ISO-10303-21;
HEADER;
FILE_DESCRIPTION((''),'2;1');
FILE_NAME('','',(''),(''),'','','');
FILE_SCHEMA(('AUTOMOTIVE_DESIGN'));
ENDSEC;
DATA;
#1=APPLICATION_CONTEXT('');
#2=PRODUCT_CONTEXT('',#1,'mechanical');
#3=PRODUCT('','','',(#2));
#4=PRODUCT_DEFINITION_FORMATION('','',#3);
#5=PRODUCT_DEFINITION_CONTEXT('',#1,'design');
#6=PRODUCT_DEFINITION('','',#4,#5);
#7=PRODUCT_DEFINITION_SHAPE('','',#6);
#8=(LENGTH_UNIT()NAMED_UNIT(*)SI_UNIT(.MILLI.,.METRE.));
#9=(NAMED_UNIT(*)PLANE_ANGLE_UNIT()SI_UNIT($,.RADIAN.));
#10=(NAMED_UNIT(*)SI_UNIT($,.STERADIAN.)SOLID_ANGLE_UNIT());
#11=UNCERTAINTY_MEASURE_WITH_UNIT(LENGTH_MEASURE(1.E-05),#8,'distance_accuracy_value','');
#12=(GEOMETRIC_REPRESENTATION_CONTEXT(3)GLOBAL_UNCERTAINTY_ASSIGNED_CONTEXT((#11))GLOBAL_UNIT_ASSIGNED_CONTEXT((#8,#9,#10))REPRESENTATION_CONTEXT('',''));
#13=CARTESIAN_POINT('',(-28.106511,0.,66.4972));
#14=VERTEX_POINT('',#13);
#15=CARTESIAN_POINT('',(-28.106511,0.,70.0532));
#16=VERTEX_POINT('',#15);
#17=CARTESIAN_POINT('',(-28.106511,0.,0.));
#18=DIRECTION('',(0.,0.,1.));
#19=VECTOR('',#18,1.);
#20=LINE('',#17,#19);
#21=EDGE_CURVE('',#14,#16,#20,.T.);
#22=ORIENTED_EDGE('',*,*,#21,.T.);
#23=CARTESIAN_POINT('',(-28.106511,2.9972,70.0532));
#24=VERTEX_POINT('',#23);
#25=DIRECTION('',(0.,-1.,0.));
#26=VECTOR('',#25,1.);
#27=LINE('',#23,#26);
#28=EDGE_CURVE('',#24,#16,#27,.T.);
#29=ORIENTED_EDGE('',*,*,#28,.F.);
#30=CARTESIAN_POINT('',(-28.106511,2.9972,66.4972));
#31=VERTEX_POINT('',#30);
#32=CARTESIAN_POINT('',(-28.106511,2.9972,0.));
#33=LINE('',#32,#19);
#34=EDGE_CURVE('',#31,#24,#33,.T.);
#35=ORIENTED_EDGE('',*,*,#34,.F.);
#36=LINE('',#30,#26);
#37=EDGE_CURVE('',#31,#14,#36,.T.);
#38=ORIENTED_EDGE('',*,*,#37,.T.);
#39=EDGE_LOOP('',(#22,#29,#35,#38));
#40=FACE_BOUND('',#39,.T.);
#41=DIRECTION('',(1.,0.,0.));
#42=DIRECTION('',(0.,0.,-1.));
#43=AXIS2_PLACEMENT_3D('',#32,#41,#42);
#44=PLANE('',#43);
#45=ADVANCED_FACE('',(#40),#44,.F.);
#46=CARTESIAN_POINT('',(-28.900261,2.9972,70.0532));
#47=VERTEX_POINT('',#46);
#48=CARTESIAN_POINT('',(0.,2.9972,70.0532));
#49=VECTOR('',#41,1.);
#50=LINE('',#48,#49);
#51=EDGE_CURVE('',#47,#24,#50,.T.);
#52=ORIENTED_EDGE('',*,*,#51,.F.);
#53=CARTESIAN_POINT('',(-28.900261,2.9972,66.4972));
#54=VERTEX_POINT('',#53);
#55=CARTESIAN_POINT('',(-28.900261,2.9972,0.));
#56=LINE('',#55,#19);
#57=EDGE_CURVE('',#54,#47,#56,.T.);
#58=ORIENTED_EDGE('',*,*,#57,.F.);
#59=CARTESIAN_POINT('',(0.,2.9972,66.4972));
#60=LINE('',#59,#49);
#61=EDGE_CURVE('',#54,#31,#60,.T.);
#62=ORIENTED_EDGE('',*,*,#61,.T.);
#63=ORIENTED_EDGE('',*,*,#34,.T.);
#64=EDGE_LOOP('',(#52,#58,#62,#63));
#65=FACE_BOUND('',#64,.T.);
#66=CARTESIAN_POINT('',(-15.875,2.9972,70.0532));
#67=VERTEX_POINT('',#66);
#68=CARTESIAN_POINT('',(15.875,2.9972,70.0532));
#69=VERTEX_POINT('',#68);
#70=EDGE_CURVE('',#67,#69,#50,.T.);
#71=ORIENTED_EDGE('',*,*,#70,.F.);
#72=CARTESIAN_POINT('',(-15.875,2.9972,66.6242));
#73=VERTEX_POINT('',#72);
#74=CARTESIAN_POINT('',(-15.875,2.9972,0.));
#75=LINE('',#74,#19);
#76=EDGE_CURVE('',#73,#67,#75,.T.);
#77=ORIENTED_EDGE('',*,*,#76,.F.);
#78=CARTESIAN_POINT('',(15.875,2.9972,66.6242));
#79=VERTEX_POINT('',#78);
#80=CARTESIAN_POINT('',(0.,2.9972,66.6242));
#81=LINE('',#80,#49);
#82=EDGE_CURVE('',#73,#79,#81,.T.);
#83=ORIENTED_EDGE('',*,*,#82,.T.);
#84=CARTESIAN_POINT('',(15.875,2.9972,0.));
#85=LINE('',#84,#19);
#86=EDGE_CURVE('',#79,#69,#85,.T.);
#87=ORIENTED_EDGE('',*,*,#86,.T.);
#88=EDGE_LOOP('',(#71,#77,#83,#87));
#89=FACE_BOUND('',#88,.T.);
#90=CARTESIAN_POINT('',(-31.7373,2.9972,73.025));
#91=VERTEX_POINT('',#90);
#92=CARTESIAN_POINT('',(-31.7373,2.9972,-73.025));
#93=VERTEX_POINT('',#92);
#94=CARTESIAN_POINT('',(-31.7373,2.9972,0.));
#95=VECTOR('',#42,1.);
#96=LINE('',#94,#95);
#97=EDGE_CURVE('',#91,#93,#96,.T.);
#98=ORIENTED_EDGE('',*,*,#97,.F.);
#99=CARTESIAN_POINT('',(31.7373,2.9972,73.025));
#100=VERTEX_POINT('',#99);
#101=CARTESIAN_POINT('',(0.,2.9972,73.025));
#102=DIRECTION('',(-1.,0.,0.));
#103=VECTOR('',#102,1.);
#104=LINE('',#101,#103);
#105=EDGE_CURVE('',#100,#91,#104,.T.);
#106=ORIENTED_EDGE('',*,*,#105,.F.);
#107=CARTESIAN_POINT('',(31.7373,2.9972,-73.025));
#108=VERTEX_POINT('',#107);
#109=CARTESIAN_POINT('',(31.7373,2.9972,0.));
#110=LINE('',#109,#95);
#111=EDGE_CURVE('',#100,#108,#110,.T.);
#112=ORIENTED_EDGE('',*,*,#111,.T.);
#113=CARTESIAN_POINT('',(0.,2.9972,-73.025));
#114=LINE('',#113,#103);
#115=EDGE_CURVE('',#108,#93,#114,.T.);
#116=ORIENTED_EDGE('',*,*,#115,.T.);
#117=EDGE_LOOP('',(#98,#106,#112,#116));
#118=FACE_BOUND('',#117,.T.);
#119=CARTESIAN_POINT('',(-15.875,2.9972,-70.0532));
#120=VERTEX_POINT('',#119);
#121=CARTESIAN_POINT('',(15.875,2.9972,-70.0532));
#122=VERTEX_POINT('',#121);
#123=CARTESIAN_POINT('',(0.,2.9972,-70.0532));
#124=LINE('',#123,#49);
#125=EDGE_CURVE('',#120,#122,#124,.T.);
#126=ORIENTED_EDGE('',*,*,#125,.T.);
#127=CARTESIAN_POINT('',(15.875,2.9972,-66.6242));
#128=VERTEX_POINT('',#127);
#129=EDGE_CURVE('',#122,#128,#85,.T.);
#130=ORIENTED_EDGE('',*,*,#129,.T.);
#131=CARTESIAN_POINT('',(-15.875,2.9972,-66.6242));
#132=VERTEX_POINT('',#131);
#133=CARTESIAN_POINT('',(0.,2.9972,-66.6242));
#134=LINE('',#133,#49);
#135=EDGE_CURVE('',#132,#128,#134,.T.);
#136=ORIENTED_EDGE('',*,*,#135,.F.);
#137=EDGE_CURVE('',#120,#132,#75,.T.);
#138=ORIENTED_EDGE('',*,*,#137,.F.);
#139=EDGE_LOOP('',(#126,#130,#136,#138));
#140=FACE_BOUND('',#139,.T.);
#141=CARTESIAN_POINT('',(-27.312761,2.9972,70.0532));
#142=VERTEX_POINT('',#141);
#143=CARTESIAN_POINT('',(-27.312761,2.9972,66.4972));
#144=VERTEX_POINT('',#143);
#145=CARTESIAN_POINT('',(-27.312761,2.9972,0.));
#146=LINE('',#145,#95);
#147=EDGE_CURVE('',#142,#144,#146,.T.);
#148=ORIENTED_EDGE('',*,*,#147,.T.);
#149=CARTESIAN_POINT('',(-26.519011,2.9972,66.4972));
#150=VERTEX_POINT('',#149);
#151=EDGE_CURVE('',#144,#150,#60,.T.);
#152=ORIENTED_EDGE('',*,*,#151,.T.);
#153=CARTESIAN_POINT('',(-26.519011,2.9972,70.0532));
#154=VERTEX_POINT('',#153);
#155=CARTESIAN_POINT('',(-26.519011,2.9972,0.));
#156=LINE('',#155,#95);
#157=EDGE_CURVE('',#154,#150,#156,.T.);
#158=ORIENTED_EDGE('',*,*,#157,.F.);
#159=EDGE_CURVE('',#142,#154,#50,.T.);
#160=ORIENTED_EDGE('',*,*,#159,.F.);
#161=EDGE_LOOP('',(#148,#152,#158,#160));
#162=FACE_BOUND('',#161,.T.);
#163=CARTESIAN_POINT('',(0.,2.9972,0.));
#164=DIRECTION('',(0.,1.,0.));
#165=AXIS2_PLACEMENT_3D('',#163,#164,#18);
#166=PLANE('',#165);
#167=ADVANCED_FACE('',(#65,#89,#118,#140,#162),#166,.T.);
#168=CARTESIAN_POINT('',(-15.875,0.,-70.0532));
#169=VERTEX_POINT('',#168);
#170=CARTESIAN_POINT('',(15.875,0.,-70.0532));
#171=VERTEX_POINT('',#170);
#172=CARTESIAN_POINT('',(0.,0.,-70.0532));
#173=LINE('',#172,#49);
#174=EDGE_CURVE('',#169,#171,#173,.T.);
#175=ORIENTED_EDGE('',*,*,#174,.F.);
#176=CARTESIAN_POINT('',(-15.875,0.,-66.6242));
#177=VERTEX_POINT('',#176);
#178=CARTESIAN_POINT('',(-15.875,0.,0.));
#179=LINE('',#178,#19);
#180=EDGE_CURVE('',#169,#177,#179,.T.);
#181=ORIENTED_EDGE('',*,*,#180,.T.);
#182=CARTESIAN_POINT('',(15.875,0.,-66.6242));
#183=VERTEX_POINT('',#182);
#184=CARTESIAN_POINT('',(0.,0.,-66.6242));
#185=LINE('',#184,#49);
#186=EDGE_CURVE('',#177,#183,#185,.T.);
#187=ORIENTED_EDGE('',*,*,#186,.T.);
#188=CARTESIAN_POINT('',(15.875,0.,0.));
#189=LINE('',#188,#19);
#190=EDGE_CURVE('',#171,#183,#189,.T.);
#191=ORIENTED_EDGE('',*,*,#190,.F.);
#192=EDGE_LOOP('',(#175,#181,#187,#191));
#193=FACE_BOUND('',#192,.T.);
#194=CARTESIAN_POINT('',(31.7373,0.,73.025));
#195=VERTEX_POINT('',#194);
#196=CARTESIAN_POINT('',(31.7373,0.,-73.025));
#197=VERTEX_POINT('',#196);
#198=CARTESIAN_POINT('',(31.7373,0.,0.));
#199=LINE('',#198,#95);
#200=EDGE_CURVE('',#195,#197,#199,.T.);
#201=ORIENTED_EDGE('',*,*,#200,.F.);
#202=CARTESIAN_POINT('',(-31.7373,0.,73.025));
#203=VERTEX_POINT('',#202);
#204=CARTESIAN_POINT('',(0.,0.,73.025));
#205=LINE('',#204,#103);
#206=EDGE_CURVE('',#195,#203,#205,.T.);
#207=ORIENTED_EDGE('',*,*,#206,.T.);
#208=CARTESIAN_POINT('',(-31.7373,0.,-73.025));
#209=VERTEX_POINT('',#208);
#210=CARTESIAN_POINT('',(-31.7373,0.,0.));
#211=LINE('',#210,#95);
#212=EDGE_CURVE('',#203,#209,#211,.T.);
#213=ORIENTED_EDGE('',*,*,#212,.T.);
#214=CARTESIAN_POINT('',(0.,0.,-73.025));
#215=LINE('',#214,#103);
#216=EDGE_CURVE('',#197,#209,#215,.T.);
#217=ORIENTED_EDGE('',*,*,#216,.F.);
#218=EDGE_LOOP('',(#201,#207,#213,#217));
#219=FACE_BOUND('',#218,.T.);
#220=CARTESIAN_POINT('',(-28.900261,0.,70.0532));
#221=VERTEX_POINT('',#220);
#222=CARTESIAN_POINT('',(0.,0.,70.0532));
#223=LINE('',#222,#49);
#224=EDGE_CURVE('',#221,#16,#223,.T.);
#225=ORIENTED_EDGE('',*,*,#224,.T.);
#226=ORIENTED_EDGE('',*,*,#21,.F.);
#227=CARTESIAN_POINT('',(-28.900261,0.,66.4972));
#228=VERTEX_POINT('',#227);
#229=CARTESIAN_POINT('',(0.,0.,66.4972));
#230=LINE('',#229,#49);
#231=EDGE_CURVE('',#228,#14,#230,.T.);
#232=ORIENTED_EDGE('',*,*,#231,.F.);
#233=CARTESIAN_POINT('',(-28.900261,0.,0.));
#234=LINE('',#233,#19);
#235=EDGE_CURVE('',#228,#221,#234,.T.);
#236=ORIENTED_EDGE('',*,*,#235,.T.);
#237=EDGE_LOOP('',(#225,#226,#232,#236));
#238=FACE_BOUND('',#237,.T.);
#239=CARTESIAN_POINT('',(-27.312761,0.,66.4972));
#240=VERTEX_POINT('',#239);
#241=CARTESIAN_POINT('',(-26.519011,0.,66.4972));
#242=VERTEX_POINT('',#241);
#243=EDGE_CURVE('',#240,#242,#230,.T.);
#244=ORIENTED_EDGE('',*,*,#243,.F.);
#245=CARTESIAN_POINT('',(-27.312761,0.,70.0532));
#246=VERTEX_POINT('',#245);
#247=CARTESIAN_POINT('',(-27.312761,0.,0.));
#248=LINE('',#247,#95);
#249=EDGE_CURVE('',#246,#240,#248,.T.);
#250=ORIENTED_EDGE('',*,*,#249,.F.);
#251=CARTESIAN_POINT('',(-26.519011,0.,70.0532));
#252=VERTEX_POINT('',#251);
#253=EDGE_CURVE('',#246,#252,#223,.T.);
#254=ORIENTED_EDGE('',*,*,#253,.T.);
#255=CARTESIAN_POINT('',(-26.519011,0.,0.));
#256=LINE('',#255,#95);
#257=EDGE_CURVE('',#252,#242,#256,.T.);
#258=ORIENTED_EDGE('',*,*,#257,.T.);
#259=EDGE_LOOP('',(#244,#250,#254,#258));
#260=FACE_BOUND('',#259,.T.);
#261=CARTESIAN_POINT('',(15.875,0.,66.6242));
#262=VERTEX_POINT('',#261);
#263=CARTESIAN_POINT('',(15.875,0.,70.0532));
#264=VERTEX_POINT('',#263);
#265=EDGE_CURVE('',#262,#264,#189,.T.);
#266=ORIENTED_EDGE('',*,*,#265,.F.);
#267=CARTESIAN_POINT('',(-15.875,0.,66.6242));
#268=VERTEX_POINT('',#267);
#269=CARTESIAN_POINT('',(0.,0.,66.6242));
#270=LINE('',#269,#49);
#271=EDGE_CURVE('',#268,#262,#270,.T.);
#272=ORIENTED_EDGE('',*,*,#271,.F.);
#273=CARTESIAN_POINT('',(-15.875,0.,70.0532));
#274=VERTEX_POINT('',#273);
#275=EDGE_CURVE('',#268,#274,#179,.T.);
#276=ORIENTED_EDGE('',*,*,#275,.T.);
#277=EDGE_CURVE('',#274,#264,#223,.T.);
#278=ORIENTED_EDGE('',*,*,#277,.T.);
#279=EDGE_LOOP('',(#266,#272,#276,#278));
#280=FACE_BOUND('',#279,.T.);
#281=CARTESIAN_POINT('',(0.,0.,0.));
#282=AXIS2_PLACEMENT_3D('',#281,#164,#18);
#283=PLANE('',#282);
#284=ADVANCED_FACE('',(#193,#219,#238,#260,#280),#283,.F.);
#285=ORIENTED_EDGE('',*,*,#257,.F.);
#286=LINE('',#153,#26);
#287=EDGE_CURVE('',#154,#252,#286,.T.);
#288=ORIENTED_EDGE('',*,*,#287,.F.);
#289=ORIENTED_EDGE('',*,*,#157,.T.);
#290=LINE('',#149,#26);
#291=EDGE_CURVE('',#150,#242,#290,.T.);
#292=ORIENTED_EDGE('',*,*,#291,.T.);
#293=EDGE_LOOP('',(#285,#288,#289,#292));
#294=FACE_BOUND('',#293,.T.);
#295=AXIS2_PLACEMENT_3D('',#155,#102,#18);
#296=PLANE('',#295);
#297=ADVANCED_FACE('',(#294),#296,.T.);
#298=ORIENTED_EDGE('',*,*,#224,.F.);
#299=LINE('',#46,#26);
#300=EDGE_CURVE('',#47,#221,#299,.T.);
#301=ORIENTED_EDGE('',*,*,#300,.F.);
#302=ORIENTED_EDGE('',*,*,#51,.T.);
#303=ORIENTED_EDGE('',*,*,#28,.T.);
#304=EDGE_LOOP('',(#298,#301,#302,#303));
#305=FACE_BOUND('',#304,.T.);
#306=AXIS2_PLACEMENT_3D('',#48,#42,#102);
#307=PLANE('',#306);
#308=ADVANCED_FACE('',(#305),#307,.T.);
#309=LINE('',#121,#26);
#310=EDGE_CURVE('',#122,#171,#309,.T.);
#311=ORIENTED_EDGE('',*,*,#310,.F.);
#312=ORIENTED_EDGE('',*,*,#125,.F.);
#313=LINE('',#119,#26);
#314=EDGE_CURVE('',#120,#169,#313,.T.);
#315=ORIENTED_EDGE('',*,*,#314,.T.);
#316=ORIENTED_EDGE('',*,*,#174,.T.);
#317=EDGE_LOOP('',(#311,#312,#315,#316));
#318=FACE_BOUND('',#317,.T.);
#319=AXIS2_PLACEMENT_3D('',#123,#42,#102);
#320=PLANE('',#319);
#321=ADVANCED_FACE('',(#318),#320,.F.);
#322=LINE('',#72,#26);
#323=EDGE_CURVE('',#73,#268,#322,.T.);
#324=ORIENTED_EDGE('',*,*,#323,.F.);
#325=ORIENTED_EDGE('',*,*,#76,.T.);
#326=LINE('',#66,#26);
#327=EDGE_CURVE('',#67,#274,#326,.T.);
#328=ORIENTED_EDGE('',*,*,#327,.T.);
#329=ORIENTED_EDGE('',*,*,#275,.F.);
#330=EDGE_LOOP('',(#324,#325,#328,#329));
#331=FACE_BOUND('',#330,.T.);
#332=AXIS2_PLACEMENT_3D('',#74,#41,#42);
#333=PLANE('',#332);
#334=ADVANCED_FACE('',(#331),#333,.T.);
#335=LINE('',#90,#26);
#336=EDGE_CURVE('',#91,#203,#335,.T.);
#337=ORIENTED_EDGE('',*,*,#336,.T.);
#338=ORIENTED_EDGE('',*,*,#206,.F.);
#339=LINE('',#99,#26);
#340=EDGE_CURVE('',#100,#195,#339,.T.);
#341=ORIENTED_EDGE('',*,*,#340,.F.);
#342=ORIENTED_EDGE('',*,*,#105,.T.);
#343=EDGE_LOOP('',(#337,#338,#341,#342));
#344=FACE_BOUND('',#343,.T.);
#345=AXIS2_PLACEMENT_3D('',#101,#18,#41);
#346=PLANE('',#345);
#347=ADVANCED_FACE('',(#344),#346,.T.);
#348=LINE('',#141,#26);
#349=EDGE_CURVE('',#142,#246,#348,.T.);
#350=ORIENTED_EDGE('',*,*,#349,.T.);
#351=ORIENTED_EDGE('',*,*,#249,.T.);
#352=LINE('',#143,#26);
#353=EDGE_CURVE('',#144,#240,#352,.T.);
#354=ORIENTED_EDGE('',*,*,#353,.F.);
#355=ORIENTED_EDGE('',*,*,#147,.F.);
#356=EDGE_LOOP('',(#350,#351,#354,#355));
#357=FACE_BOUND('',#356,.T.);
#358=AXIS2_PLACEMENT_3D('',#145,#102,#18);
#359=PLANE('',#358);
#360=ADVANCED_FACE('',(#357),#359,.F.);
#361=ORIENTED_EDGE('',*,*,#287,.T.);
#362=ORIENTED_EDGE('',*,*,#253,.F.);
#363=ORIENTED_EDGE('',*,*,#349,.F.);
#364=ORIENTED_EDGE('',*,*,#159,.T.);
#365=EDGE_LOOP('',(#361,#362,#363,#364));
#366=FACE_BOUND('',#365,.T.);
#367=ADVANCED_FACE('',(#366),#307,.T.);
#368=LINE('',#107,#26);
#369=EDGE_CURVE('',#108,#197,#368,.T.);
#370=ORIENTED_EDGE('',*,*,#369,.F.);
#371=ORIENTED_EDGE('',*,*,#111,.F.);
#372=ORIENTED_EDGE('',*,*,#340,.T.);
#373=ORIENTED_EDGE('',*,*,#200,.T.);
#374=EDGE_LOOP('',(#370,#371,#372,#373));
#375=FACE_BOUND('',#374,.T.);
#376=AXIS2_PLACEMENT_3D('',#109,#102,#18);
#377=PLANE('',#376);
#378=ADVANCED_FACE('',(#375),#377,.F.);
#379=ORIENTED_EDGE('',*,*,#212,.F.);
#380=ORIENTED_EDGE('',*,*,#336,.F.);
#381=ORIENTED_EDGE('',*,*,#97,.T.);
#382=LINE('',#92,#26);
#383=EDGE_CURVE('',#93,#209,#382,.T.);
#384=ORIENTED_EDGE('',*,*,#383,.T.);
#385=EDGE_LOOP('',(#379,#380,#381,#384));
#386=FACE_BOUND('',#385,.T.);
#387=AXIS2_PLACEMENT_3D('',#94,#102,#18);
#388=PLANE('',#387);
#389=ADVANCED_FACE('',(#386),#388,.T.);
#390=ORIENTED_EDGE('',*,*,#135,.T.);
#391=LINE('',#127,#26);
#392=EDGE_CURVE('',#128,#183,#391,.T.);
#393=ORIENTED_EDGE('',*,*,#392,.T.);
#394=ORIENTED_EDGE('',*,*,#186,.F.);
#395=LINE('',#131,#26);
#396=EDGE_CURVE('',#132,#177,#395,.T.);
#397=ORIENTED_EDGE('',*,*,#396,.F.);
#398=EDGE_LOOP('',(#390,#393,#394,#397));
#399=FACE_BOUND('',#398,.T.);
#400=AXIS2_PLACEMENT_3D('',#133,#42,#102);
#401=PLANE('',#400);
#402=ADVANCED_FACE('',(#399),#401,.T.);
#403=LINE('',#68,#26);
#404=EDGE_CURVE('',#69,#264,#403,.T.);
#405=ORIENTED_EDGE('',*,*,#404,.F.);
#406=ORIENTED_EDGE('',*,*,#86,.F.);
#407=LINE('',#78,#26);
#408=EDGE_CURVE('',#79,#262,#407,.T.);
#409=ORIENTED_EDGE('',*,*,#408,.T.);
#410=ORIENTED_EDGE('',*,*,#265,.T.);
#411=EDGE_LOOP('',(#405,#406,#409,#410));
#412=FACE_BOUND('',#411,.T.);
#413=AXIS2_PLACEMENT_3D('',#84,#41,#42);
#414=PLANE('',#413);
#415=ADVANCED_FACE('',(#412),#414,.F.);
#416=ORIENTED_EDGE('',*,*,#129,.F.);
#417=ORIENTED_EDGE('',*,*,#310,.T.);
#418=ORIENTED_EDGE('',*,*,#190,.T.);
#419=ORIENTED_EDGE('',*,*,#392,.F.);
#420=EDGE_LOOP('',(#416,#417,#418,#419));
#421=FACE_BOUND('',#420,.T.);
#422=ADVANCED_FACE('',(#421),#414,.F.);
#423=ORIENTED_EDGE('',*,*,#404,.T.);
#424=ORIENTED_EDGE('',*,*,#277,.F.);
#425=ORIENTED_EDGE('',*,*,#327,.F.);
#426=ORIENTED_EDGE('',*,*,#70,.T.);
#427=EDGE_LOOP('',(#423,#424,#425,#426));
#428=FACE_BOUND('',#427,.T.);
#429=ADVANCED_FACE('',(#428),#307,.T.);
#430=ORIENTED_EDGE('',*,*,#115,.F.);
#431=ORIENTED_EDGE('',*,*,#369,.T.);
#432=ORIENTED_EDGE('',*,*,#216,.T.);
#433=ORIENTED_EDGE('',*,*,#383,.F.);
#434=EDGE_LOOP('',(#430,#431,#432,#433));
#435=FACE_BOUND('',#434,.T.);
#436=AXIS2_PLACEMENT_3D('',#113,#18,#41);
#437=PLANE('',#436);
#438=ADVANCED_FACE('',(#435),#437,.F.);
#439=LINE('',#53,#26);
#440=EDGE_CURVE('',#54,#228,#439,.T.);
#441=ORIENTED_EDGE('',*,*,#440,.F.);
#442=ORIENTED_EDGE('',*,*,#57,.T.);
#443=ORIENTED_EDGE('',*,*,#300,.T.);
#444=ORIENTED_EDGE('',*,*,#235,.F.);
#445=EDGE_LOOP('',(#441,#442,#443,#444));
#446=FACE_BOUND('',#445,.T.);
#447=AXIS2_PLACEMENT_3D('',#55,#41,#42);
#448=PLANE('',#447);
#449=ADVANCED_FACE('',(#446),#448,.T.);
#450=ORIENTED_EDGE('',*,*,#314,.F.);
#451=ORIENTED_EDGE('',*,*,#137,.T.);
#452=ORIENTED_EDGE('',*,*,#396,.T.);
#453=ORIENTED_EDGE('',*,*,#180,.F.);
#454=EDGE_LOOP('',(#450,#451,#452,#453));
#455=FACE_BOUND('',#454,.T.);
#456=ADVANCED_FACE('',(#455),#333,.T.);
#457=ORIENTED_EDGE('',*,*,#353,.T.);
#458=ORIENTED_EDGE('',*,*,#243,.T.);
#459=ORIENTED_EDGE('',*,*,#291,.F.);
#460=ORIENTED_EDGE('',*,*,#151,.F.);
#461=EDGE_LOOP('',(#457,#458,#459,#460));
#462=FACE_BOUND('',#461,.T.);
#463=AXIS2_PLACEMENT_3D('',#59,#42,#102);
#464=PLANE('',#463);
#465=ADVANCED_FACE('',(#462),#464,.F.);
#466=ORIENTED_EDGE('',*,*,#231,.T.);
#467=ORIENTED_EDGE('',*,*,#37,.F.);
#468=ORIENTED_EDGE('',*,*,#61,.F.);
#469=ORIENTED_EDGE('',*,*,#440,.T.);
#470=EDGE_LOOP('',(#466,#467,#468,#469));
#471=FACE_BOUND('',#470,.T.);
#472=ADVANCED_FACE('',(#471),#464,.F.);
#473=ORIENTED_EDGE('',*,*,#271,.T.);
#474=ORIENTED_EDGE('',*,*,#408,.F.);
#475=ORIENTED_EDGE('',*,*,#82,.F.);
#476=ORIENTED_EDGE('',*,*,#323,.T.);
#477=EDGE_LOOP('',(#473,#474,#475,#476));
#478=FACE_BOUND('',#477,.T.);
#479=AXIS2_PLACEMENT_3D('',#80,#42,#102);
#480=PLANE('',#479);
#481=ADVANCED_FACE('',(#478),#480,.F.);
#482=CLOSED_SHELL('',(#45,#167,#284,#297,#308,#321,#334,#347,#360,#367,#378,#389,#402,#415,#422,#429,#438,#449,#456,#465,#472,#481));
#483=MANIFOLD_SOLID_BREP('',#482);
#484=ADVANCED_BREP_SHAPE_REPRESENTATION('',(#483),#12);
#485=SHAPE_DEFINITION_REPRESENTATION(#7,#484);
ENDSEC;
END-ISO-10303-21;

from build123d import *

# Parameters (mm, degrees)
SKETCH1_W           = 63.4746
SKETCH1_H           = 146.05
SKETCH1_W_2         = 31.75
SKETCH1_H_2         = 3.429
SKETCH1_W_3         = 0.79375
SKETCH1_H_3         = 3.556
BOSS_EXTRUDE1_DEPTH = 2.9972


with BuildPart() as part:
    # Sketch1 → Boss-Extrude1 (new body)
    with BuildSketch(Plane(origin=(0, 0, 0), x_dir=(1, 0, 0), z_dir=(0, 1, 0))):
        Rectangle(SKETCH1_W, SKETCH1_H)
        with Locations((0, 68.3387)):
            Rectangle(SKETCH1_W_2, SKETCH1_H_2, mode=Mode.SUBTRACT)
        with Locations((0, -68.3387)):
            Rectangle(SKETCH1_W_2, SKETCH1_H_2, mode=Mode.SUBTRACT)
        with Locations((-28.503386357, -68.2752)):
            Rectangle(SKETCH1_W_3, SKETCH1_H_3, mode=Mode.SUBTRACT)
        with Locations((-26.915886357, -68.2752)):
            Rectangle(SKETCH1_W_3, SKETCH1_H_3, mode=Mode.SUBTRACT)
    extrude(amount=BOSS_EXTRUDE1_DEPTH)


solid = part.part
